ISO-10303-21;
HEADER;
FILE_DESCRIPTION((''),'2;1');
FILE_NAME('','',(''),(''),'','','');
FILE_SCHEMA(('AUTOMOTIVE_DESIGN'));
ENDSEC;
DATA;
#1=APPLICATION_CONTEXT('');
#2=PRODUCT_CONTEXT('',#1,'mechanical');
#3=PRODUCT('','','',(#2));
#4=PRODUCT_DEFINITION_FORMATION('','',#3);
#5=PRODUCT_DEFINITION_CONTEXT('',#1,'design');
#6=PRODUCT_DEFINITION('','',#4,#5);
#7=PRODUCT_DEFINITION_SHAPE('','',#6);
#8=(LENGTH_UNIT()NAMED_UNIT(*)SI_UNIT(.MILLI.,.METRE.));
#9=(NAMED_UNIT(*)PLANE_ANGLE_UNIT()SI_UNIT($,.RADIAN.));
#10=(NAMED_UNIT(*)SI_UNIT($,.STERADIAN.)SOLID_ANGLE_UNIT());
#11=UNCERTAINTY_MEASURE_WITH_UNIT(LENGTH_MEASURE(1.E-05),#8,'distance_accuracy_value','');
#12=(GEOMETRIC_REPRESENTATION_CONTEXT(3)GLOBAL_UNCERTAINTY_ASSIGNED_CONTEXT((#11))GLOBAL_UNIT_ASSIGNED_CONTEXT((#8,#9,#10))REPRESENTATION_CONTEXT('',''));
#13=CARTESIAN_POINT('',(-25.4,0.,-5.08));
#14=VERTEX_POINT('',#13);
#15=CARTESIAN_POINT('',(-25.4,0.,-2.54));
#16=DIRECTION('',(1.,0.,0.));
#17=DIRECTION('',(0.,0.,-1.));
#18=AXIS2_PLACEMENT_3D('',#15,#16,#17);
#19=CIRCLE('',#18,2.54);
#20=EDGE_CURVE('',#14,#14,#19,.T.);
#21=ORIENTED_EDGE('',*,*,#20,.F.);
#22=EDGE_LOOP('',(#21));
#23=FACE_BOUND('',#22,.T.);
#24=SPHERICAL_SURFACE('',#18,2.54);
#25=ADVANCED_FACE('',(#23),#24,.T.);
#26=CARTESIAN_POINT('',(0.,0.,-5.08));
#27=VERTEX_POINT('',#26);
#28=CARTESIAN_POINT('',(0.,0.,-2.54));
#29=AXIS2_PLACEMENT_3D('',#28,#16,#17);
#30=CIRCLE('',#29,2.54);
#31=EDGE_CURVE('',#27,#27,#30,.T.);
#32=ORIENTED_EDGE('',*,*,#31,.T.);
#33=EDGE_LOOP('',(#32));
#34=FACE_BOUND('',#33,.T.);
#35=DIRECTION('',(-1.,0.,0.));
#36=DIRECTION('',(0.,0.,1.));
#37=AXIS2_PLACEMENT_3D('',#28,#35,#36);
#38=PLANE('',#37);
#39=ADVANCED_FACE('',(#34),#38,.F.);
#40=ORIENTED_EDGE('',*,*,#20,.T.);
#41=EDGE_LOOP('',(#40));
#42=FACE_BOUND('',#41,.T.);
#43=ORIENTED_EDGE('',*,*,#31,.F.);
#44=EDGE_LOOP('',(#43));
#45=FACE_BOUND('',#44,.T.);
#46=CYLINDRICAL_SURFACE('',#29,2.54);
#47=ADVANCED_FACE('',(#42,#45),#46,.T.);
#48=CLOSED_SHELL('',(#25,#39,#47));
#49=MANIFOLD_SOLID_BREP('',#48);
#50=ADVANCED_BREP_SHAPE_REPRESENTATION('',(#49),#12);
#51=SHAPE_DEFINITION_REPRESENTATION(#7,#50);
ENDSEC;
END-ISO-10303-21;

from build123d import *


with BuildPart() as part:
    # Sketch2 → Revolve4 (revolve)
    with BuildSketch(Plane(origin=(0, 0, 0), x_dir=(1, 0, 0), z_dir=(0, 1, 0)), mode=Mode.PRIVATE) as revolve4_sk:
        with BuildLine():
            Line((0, 0), (-25.4, 0))
            ThreePointArc((-25.4, 0), (-27.196051224, 0.743948776), (-27.94, 2.54))
            Line((-27.94, 2.54), (0, 2.54))
            Line((0, 2.54), (0, 0))
        make_face()
    revolve(revolve4_sk.sketch.rotate(Axis((0, 0, -2.54), (-1, 0, 0)), 180), axis=Axis((0, 0, -2.54), (-1, 0, 0)))


solid = part.part
